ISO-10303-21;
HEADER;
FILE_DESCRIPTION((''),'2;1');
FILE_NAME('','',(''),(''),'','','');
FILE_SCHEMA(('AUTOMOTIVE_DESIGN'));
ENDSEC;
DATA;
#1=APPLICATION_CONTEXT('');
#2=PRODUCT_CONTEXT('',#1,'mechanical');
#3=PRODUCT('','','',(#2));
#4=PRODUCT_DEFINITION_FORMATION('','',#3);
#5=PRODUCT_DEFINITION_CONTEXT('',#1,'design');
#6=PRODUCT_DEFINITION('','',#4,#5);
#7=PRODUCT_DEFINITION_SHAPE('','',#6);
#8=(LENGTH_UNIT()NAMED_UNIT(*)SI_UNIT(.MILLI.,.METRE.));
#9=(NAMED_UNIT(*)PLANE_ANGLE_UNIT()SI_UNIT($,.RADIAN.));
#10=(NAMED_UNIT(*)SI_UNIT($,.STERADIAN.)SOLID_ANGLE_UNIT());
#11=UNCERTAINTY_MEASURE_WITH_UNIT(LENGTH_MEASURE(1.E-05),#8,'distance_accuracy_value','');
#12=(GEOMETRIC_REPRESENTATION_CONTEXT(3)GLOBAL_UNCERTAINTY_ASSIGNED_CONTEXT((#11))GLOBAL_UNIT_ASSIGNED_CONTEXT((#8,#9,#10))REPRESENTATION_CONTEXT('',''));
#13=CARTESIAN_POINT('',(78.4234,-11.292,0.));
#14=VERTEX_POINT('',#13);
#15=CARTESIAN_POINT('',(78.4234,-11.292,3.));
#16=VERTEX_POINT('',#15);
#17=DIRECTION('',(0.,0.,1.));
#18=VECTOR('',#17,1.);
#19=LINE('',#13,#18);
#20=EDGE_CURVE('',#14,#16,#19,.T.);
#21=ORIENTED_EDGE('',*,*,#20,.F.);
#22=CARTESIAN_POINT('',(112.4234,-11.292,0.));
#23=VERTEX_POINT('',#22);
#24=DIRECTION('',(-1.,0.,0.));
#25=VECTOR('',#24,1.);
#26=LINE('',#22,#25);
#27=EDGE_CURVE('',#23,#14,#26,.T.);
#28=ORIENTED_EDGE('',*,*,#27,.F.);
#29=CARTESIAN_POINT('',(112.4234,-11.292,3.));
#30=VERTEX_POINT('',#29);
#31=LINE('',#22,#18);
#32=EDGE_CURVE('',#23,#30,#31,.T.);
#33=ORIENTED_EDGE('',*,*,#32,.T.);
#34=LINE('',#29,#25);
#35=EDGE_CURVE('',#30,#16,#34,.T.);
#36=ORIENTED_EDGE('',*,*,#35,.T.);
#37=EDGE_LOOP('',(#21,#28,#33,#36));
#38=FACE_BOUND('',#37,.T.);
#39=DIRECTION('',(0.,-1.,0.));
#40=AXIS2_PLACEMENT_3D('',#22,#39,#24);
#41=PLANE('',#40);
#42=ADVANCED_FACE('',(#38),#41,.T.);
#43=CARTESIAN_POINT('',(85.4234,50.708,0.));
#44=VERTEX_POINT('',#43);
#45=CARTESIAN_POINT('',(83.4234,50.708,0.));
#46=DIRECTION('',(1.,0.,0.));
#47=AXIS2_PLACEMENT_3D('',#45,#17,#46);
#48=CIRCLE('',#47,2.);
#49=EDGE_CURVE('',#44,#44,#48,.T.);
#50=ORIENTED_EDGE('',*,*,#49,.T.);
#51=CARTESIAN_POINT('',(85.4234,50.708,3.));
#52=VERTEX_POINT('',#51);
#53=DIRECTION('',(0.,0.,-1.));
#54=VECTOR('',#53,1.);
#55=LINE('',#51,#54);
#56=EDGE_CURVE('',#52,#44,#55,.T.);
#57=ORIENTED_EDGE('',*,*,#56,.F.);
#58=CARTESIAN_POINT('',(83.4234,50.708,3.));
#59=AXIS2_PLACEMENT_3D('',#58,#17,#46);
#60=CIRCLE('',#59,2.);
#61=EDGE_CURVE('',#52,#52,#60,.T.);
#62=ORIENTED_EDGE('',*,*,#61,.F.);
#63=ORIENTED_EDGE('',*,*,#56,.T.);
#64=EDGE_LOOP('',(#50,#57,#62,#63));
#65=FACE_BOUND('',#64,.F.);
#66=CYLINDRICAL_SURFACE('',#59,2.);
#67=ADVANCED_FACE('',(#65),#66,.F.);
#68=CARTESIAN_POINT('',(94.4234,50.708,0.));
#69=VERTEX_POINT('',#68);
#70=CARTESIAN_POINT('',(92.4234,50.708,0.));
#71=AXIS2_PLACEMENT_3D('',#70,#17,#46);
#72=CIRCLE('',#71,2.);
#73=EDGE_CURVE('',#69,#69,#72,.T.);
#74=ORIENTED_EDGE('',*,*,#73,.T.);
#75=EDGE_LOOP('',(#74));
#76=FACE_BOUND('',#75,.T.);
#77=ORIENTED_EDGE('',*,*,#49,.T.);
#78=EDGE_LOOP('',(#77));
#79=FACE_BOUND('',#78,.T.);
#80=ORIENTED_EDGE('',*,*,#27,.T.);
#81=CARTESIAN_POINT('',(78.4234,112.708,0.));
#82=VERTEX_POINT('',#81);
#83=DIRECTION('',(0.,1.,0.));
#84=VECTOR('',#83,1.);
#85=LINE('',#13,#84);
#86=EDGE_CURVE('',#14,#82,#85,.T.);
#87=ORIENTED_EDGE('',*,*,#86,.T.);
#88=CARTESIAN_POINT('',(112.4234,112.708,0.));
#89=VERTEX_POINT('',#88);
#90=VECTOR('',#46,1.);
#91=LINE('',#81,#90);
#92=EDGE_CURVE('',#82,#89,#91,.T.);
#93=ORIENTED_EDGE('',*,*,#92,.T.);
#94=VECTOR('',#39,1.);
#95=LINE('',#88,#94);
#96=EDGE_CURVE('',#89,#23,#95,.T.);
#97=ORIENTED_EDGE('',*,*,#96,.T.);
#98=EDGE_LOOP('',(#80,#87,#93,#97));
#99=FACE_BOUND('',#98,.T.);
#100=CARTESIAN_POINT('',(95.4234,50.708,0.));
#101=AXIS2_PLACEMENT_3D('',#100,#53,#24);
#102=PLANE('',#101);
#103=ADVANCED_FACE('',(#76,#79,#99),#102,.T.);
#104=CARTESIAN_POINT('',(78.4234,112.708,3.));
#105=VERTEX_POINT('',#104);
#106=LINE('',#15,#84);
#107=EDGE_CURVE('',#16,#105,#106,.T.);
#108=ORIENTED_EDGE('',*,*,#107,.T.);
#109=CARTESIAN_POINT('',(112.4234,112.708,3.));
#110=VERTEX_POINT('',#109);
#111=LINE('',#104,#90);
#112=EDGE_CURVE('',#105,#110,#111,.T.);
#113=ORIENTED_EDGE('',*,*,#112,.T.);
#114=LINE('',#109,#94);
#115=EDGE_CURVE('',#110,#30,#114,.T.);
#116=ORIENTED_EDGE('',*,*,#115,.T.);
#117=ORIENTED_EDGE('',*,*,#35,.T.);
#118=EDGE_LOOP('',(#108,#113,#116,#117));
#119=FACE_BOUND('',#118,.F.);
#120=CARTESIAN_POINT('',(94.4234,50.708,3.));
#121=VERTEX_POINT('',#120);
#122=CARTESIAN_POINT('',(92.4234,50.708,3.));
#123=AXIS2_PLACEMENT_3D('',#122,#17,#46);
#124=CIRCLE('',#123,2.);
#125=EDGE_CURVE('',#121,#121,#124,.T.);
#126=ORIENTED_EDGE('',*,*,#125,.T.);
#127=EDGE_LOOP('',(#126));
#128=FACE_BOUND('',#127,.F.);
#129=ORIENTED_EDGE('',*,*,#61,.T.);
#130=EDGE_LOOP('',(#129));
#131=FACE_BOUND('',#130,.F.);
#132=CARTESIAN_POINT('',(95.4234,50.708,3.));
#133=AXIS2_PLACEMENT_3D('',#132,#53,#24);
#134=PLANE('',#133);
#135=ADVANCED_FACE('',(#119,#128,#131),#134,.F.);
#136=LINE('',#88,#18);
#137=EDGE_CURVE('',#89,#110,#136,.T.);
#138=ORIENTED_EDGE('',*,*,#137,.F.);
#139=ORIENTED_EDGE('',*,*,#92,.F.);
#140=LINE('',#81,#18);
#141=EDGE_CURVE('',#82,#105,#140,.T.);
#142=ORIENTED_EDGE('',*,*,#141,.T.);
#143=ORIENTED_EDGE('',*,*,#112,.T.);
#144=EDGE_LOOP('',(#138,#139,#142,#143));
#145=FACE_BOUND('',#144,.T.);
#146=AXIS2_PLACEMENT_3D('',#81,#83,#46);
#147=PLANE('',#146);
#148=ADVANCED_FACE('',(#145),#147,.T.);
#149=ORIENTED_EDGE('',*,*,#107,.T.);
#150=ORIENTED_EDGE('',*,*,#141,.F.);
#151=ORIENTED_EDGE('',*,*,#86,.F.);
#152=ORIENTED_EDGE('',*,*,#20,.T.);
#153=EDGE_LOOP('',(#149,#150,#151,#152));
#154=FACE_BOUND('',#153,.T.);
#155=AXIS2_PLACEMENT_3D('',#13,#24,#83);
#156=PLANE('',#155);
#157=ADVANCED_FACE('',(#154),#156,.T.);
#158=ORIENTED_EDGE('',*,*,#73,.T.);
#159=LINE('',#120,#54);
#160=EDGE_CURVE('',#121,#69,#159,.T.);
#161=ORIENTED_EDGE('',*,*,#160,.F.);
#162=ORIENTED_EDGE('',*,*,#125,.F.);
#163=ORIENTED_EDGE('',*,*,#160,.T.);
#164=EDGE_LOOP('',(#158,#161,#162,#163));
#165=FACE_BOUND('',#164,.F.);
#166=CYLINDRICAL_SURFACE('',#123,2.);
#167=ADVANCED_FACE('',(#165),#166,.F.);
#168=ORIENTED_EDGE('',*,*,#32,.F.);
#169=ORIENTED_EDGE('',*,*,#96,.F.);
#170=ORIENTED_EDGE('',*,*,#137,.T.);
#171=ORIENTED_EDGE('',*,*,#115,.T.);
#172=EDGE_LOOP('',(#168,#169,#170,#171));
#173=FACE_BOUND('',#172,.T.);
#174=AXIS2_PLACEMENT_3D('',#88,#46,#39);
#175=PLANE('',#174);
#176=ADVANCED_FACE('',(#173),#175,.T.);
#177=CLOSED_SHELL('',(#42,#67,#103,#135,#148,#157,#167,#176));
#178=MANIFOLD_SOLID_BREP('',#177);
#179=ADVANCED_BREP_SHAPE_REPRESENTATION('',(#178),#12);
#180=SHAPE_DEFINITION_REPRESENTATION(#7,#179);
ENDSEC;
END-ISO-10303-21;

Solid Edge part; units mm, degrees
sketch "Sketch1" plane through (0, 0, 0) normal (0, 0, 1) x (1, 0, 0)
  line L0 (78.4234, 112.708) -> (112.4234, 112.708)
  line L1 (112.4234, 112.708) -> (112.4234, -11.292)
  line L2 (112.4234, -11.292) -> (78.4234, -11.292)
  line L3 (78.4234, -11.292) -> (78.4234, 112.708)
  dimension "D1" = 34
  dimension "D2" = 124
extrude "Protrusion1" add sketch "Sketch1" along normal blind 3
sketch "Sketch2" plane through (95.4234, 50.708, 3) normal (0, 0, 1) x (1, 0, 0)
  circle A0 centre (-12, 0) radius 2
  circle A1 centre (-3, 0) radius 2
  dimension "D1" = 4
  dimension "D2" = 4
  dimension "D3" = 5
  dimension "D4" = 9
extrude "Cutout1" cut sketch "Sketch2" against normal through all
